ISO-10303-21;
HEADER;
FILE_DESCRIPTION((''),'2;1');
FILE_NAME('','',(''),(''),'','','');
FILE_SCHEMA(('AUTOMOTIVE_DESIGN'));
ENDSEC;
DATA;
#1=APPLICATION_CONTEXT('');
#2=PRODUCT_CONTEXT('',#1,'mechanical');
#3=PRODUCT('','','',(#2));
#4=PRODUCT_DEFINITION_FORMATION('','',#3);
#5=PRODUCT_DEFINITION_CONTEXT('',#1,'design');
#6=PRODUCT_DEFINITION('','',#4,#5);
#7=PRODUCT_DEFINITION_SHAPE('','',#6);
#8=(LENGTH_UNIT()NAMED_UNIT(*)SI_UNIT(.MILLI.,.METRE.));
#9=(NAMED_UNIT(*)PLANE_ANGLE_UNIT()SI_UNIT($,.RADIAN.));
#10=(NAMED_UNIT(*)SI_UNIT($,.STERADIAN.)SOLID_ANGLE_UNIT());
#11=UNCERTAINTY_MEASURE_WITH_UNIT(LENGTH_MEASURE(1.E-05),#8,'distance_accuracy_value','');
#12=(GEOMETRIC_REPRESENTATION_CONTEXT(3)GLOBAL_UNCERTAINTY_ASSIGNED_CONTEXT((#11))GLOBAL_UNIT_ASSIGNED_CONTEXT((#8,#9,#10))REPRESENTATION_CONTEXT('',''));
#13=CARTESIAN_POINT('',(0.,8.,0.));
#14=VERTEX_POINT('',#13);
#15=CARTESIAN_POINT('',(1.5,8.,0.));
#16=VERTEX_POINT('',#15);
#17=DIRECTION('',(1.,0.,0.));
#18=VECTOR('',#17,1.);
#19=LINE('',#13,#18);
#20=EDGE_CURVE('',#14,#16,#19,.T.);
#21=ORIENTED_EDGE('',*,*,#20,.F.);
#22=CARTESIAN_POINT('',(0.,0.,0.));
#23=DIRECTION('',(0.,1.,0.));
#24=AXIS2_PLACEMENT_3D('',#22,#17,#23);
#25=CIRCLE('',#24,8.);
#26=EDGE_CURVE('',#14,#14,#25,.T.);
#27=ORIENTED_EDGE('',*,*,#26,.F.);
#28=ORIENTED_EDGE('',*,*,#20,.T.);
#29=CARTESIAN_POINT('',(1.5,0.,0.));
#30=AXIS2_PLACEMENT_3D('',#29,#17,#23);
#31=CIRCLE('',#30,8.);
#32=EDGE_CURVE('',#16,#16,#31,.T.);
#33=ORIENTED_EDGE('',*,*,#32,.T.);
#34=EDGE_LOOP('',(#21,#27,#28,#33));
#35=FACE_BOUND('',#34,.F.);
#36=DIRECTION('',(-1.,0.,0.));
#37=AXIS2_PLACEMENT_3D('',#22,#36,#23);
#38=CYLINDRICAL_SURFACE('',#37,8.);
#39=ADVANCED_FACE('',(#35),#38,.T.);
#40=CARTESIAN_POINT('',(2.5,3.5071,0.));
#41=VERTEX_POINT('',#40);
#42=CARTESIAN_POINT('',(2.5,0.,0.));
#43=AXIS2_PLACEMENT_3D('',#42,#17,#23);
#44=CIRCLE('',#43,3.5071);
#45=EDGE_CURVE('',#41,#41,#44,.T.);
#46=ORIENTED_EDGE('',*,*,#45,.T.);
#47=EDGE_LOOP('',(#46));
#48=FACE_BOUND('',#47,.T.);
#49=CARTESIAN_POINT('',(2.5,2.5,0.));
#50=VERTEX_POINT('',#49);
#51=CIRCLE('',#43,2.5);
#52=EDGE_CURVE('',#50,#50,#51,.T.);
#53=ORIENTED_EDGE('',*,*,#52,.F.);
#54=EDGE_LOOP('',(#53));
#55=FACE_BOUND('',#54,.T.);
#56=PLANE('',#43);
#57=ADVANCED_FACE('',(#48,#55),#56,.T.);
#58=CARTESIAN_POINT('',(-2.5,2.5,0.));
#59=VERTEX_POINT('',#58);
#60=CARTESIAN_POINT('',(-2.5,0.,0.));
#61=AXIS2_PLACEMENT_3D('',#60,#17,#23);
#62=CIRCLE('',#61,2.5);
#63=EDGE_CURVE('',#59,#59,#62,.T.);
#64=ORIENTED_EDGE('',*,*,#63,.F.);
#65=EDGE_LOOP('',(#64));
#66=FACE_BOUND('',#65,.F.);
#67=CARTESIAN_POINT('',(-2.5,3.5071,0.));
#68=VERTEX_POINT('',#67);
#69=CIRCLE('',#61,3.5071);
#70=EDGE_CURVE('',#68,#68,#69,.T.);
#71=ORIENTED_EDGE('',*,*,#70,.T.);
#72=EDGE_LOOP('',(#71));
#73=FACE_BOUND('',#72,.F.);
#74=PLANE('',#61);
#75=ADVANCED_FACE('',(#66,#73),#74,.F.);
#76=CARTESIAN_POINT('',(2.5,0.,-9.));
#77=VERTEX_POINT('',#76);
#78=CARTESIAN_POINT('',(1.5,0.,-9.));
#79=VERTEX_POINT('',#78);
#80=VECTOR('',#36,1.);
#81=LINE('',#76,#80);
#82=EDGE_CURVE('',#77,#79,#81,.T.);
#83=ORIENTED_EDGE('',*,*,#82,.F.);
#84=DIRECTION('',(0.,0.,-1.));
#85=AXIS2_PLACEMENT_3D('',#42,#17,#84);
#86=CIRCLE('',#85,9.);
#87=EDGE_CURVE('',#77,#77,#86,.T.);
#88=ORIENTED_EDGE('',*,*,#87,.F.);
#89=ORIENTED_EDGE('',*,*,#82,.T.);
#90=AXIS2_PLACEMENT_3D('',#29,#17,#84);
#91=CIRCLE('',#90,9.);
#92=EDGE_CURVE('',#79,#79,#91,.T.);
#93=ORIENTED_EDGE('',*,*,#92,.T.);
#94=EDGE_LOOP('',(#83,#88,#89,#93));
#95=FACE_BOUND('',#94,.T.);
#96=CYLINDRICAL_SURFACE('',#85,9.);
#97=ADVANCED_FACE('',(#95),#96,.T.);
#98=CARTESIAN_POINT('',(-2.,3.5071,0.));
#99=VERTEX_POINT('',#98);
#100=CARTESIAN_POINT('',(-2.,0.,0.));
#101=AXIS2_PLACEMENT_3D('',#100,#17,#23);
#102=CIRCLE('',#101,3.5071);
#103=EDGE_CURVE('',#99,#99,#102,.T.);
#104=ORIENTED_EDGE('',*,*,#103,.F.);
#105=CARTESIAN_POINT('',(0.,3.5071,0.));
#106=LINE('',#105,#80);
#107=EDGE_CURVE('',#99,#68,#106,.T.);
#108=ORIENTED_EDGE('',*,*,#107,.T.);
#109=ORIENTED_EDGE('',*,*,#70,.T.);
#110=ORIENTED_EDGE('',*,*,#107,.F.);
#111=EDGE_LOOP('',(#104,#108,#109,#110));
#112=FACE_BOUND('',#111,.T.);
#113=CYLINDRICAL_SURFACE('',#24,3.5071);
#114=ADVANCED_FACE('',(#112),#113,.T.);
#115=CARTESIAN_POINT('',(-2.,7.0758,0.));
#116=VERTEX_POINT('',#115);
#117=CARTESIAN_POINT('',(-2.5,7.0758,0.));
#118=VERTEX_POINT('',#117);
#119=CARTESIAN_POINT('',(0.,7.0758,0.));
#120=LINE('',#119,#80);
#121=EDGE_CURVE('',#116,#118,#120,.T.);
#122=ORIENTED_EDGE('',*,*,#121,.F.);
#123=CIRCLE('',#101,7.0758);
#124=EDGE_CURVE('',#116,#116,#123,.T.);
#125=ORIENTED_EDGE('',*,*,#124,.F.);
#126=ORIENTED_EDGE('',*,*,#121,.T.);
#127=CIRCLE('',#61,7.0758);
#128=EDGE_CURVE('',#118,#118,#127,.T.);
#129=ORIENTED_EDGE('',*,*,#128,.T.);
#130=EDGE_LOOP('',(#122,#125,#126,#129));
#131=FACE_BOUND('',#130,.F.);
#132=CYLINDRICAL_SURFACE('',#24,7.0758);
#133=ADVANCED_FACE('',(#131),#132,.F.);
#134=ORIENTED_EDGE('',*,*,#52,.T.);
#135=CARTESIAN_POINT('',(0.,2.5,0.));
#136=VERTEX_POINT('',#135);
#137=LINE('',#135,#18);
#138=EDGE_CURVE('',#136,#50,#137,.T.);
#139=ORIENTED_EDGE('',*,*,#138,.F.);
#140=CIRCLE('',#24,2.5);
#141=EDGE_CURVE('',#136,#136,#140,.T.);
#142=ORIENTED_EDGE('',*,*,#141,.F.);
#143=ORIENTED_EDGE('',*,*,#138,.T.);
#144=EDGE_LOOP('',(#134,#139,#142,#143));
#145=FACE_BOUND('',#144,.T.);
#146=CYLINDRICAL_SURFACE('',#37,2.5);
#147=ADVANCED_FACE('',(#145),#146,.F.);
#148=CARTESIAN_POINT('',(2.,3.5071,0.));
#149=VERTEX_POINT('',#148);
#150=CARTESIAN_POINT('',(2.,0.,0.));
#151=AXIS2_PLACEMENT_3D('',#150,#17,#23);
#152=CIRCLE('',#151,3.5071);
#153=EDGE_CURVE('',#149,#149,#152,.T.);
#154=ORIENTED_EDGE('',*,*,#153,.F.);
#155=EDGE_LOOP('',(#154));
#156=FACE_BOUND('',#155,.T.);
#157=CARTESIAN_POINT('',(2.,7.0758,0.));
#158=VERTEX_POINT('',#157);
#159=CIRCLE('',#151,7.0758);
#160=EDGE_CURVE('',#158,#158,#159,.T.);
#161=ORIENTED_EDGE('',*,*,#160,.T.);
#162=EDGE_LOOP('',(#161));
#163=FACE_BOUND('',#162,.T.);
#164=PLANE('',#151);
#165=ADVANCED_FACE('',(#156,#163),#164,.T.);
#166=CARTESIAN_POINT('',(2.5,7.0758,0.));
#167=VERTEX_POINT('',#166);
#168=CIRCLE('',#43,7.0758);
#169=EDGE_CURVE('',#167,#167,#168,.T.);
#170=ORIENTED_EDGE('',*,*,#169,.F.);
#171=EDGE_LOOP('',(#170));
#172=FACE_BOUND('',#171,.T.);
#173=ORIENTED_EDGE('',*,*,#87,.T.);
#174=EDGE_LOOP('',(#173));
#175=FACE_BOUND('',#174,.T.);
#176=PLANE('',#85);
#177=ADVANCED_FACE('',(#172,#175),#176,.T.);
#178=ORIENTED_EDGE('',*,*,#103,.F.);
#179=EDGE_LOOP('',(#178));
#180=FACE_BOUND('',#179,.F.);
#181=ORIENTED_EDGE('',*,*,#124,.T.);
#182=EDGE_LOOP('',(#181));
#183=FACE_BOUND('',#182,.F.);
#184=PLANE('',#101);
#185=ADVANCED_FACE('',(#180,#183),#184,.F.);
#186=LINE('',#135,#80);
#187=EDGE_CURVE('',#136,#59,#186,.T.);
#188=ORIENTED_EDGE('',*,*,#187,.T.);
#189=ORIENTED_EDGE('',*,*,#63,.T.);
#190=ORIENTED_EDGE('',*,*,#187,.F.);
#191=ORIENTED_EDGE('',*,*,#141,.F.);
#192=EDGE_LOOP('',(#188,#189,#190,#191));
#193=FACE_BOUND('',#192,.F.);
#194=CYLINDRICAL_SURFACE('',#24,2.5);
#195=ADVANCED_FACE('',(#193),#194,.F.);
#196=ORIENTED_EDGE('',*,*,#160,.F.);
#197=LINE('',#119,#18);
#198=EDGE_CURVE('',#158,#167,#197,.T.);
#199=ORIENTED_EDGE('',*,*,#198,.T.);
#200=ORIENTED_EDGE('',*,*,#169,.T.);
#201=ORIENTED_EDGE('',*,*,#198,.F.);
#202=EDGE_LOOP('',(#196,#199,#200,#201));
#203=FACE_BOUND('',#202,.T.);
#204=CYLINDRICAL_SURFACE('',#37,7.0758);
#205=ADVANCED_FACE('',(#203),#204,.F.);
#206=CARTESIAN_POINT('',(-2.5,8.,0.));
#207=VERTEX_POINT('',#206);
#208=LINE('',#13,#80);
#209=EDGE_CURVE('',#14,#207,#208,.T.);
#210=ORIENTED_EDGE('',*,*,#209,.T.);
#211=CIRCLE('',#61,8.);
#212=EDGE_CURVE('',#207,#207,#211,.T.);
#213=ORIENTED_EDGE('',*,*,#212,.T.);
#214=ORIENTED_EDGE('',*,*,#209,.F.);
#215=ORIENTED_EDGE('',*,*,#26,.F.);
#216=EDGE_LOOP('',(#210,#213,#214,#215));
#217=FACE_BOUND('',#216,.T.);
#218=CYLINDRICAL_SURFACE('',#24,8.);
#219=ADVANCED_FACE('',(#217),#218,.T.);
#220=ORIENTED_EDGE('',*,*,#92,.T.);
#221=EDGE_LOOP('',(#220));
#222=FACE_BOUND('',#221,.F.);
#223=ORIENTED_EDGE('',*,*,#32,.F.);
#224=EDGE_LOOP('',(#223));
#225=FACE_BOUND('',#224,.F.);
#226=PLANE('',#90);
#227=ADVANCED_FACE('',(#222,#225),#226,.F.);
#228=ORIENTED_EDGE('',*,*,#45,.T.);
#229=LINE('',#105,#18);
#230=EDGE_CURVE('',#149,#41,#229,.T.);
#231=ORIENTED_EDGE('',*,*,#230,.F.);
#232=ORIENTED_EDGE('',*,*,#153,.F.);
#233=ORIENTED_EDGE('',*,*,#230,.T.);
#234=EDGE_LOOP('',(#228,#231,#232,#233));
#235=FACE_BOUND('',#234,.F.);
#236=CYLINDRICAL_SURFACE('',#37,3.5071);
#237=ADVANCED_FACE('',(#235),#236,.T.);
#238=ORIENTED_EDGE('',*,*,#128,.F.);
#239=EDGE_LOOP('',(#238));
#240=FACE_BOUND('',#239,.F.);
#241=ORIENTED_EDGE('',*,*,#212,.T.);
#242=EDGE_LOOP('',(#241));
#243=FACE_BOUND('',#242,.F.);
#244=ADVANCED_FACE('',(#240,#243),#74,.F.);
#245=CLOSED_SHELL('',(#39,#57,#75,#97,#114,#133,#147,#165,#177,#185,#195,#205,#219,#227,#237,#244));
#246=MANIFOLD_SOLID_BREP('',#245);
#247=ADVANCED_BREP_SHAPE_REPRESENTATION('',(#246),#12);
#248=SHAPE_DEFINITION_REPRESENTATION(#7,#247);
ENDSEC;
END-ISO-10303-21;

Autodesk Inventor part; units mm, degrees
ref_plane "YZ Plane" through (0, 0, 0) normal (1, 0, 0) x (0, 1, 0)
ref_plane "XZ Plane" through (0, 0, 0) normal (0, 1, 0) x (-1, 0, 0)
ref_plane "XY Plane" through (0, 0, 0) normal (0, 0, 1) x (1, 0, 0)
sketch "Эскиз1" plane through (0, 0, 0) normal (1, 0, 0) x (0, 1, 0)
  circle A0 centre (0, 0) radius 8
  circle A1 centre (0, 0) radius 2.5
  circle A2 centre (0, 0) radius 9
  circle A3 centre (0, 0) radius 7.0758
  circle A4 centre (0, 0) radius 3.5071
  dimension "d0" = 16
  dimension "d1" = 5
  dimension "d2" = 18
extrude "Выдавливание1" add sketch "Эскиз1" along normal mid plane 5 contours A0 | A4
extrude "Выдавливание2" add sketch "Эскиз1" along normal mid plane 4 contours A3
sketch "Эскиз2" plane through (2.5, 0, 0) normal (1, 0, 0) x (0, 0, -1)
  circle A0 centre (0, 0) radius 9
  circle A1 centre (0, 0) radius 8
  dimension "d7" = 18
  dimension "d8" = 16
extrude "Выдавливание3" add sketch "Эскиз2" against normal blind 1
properties part number "F625ZZ"
